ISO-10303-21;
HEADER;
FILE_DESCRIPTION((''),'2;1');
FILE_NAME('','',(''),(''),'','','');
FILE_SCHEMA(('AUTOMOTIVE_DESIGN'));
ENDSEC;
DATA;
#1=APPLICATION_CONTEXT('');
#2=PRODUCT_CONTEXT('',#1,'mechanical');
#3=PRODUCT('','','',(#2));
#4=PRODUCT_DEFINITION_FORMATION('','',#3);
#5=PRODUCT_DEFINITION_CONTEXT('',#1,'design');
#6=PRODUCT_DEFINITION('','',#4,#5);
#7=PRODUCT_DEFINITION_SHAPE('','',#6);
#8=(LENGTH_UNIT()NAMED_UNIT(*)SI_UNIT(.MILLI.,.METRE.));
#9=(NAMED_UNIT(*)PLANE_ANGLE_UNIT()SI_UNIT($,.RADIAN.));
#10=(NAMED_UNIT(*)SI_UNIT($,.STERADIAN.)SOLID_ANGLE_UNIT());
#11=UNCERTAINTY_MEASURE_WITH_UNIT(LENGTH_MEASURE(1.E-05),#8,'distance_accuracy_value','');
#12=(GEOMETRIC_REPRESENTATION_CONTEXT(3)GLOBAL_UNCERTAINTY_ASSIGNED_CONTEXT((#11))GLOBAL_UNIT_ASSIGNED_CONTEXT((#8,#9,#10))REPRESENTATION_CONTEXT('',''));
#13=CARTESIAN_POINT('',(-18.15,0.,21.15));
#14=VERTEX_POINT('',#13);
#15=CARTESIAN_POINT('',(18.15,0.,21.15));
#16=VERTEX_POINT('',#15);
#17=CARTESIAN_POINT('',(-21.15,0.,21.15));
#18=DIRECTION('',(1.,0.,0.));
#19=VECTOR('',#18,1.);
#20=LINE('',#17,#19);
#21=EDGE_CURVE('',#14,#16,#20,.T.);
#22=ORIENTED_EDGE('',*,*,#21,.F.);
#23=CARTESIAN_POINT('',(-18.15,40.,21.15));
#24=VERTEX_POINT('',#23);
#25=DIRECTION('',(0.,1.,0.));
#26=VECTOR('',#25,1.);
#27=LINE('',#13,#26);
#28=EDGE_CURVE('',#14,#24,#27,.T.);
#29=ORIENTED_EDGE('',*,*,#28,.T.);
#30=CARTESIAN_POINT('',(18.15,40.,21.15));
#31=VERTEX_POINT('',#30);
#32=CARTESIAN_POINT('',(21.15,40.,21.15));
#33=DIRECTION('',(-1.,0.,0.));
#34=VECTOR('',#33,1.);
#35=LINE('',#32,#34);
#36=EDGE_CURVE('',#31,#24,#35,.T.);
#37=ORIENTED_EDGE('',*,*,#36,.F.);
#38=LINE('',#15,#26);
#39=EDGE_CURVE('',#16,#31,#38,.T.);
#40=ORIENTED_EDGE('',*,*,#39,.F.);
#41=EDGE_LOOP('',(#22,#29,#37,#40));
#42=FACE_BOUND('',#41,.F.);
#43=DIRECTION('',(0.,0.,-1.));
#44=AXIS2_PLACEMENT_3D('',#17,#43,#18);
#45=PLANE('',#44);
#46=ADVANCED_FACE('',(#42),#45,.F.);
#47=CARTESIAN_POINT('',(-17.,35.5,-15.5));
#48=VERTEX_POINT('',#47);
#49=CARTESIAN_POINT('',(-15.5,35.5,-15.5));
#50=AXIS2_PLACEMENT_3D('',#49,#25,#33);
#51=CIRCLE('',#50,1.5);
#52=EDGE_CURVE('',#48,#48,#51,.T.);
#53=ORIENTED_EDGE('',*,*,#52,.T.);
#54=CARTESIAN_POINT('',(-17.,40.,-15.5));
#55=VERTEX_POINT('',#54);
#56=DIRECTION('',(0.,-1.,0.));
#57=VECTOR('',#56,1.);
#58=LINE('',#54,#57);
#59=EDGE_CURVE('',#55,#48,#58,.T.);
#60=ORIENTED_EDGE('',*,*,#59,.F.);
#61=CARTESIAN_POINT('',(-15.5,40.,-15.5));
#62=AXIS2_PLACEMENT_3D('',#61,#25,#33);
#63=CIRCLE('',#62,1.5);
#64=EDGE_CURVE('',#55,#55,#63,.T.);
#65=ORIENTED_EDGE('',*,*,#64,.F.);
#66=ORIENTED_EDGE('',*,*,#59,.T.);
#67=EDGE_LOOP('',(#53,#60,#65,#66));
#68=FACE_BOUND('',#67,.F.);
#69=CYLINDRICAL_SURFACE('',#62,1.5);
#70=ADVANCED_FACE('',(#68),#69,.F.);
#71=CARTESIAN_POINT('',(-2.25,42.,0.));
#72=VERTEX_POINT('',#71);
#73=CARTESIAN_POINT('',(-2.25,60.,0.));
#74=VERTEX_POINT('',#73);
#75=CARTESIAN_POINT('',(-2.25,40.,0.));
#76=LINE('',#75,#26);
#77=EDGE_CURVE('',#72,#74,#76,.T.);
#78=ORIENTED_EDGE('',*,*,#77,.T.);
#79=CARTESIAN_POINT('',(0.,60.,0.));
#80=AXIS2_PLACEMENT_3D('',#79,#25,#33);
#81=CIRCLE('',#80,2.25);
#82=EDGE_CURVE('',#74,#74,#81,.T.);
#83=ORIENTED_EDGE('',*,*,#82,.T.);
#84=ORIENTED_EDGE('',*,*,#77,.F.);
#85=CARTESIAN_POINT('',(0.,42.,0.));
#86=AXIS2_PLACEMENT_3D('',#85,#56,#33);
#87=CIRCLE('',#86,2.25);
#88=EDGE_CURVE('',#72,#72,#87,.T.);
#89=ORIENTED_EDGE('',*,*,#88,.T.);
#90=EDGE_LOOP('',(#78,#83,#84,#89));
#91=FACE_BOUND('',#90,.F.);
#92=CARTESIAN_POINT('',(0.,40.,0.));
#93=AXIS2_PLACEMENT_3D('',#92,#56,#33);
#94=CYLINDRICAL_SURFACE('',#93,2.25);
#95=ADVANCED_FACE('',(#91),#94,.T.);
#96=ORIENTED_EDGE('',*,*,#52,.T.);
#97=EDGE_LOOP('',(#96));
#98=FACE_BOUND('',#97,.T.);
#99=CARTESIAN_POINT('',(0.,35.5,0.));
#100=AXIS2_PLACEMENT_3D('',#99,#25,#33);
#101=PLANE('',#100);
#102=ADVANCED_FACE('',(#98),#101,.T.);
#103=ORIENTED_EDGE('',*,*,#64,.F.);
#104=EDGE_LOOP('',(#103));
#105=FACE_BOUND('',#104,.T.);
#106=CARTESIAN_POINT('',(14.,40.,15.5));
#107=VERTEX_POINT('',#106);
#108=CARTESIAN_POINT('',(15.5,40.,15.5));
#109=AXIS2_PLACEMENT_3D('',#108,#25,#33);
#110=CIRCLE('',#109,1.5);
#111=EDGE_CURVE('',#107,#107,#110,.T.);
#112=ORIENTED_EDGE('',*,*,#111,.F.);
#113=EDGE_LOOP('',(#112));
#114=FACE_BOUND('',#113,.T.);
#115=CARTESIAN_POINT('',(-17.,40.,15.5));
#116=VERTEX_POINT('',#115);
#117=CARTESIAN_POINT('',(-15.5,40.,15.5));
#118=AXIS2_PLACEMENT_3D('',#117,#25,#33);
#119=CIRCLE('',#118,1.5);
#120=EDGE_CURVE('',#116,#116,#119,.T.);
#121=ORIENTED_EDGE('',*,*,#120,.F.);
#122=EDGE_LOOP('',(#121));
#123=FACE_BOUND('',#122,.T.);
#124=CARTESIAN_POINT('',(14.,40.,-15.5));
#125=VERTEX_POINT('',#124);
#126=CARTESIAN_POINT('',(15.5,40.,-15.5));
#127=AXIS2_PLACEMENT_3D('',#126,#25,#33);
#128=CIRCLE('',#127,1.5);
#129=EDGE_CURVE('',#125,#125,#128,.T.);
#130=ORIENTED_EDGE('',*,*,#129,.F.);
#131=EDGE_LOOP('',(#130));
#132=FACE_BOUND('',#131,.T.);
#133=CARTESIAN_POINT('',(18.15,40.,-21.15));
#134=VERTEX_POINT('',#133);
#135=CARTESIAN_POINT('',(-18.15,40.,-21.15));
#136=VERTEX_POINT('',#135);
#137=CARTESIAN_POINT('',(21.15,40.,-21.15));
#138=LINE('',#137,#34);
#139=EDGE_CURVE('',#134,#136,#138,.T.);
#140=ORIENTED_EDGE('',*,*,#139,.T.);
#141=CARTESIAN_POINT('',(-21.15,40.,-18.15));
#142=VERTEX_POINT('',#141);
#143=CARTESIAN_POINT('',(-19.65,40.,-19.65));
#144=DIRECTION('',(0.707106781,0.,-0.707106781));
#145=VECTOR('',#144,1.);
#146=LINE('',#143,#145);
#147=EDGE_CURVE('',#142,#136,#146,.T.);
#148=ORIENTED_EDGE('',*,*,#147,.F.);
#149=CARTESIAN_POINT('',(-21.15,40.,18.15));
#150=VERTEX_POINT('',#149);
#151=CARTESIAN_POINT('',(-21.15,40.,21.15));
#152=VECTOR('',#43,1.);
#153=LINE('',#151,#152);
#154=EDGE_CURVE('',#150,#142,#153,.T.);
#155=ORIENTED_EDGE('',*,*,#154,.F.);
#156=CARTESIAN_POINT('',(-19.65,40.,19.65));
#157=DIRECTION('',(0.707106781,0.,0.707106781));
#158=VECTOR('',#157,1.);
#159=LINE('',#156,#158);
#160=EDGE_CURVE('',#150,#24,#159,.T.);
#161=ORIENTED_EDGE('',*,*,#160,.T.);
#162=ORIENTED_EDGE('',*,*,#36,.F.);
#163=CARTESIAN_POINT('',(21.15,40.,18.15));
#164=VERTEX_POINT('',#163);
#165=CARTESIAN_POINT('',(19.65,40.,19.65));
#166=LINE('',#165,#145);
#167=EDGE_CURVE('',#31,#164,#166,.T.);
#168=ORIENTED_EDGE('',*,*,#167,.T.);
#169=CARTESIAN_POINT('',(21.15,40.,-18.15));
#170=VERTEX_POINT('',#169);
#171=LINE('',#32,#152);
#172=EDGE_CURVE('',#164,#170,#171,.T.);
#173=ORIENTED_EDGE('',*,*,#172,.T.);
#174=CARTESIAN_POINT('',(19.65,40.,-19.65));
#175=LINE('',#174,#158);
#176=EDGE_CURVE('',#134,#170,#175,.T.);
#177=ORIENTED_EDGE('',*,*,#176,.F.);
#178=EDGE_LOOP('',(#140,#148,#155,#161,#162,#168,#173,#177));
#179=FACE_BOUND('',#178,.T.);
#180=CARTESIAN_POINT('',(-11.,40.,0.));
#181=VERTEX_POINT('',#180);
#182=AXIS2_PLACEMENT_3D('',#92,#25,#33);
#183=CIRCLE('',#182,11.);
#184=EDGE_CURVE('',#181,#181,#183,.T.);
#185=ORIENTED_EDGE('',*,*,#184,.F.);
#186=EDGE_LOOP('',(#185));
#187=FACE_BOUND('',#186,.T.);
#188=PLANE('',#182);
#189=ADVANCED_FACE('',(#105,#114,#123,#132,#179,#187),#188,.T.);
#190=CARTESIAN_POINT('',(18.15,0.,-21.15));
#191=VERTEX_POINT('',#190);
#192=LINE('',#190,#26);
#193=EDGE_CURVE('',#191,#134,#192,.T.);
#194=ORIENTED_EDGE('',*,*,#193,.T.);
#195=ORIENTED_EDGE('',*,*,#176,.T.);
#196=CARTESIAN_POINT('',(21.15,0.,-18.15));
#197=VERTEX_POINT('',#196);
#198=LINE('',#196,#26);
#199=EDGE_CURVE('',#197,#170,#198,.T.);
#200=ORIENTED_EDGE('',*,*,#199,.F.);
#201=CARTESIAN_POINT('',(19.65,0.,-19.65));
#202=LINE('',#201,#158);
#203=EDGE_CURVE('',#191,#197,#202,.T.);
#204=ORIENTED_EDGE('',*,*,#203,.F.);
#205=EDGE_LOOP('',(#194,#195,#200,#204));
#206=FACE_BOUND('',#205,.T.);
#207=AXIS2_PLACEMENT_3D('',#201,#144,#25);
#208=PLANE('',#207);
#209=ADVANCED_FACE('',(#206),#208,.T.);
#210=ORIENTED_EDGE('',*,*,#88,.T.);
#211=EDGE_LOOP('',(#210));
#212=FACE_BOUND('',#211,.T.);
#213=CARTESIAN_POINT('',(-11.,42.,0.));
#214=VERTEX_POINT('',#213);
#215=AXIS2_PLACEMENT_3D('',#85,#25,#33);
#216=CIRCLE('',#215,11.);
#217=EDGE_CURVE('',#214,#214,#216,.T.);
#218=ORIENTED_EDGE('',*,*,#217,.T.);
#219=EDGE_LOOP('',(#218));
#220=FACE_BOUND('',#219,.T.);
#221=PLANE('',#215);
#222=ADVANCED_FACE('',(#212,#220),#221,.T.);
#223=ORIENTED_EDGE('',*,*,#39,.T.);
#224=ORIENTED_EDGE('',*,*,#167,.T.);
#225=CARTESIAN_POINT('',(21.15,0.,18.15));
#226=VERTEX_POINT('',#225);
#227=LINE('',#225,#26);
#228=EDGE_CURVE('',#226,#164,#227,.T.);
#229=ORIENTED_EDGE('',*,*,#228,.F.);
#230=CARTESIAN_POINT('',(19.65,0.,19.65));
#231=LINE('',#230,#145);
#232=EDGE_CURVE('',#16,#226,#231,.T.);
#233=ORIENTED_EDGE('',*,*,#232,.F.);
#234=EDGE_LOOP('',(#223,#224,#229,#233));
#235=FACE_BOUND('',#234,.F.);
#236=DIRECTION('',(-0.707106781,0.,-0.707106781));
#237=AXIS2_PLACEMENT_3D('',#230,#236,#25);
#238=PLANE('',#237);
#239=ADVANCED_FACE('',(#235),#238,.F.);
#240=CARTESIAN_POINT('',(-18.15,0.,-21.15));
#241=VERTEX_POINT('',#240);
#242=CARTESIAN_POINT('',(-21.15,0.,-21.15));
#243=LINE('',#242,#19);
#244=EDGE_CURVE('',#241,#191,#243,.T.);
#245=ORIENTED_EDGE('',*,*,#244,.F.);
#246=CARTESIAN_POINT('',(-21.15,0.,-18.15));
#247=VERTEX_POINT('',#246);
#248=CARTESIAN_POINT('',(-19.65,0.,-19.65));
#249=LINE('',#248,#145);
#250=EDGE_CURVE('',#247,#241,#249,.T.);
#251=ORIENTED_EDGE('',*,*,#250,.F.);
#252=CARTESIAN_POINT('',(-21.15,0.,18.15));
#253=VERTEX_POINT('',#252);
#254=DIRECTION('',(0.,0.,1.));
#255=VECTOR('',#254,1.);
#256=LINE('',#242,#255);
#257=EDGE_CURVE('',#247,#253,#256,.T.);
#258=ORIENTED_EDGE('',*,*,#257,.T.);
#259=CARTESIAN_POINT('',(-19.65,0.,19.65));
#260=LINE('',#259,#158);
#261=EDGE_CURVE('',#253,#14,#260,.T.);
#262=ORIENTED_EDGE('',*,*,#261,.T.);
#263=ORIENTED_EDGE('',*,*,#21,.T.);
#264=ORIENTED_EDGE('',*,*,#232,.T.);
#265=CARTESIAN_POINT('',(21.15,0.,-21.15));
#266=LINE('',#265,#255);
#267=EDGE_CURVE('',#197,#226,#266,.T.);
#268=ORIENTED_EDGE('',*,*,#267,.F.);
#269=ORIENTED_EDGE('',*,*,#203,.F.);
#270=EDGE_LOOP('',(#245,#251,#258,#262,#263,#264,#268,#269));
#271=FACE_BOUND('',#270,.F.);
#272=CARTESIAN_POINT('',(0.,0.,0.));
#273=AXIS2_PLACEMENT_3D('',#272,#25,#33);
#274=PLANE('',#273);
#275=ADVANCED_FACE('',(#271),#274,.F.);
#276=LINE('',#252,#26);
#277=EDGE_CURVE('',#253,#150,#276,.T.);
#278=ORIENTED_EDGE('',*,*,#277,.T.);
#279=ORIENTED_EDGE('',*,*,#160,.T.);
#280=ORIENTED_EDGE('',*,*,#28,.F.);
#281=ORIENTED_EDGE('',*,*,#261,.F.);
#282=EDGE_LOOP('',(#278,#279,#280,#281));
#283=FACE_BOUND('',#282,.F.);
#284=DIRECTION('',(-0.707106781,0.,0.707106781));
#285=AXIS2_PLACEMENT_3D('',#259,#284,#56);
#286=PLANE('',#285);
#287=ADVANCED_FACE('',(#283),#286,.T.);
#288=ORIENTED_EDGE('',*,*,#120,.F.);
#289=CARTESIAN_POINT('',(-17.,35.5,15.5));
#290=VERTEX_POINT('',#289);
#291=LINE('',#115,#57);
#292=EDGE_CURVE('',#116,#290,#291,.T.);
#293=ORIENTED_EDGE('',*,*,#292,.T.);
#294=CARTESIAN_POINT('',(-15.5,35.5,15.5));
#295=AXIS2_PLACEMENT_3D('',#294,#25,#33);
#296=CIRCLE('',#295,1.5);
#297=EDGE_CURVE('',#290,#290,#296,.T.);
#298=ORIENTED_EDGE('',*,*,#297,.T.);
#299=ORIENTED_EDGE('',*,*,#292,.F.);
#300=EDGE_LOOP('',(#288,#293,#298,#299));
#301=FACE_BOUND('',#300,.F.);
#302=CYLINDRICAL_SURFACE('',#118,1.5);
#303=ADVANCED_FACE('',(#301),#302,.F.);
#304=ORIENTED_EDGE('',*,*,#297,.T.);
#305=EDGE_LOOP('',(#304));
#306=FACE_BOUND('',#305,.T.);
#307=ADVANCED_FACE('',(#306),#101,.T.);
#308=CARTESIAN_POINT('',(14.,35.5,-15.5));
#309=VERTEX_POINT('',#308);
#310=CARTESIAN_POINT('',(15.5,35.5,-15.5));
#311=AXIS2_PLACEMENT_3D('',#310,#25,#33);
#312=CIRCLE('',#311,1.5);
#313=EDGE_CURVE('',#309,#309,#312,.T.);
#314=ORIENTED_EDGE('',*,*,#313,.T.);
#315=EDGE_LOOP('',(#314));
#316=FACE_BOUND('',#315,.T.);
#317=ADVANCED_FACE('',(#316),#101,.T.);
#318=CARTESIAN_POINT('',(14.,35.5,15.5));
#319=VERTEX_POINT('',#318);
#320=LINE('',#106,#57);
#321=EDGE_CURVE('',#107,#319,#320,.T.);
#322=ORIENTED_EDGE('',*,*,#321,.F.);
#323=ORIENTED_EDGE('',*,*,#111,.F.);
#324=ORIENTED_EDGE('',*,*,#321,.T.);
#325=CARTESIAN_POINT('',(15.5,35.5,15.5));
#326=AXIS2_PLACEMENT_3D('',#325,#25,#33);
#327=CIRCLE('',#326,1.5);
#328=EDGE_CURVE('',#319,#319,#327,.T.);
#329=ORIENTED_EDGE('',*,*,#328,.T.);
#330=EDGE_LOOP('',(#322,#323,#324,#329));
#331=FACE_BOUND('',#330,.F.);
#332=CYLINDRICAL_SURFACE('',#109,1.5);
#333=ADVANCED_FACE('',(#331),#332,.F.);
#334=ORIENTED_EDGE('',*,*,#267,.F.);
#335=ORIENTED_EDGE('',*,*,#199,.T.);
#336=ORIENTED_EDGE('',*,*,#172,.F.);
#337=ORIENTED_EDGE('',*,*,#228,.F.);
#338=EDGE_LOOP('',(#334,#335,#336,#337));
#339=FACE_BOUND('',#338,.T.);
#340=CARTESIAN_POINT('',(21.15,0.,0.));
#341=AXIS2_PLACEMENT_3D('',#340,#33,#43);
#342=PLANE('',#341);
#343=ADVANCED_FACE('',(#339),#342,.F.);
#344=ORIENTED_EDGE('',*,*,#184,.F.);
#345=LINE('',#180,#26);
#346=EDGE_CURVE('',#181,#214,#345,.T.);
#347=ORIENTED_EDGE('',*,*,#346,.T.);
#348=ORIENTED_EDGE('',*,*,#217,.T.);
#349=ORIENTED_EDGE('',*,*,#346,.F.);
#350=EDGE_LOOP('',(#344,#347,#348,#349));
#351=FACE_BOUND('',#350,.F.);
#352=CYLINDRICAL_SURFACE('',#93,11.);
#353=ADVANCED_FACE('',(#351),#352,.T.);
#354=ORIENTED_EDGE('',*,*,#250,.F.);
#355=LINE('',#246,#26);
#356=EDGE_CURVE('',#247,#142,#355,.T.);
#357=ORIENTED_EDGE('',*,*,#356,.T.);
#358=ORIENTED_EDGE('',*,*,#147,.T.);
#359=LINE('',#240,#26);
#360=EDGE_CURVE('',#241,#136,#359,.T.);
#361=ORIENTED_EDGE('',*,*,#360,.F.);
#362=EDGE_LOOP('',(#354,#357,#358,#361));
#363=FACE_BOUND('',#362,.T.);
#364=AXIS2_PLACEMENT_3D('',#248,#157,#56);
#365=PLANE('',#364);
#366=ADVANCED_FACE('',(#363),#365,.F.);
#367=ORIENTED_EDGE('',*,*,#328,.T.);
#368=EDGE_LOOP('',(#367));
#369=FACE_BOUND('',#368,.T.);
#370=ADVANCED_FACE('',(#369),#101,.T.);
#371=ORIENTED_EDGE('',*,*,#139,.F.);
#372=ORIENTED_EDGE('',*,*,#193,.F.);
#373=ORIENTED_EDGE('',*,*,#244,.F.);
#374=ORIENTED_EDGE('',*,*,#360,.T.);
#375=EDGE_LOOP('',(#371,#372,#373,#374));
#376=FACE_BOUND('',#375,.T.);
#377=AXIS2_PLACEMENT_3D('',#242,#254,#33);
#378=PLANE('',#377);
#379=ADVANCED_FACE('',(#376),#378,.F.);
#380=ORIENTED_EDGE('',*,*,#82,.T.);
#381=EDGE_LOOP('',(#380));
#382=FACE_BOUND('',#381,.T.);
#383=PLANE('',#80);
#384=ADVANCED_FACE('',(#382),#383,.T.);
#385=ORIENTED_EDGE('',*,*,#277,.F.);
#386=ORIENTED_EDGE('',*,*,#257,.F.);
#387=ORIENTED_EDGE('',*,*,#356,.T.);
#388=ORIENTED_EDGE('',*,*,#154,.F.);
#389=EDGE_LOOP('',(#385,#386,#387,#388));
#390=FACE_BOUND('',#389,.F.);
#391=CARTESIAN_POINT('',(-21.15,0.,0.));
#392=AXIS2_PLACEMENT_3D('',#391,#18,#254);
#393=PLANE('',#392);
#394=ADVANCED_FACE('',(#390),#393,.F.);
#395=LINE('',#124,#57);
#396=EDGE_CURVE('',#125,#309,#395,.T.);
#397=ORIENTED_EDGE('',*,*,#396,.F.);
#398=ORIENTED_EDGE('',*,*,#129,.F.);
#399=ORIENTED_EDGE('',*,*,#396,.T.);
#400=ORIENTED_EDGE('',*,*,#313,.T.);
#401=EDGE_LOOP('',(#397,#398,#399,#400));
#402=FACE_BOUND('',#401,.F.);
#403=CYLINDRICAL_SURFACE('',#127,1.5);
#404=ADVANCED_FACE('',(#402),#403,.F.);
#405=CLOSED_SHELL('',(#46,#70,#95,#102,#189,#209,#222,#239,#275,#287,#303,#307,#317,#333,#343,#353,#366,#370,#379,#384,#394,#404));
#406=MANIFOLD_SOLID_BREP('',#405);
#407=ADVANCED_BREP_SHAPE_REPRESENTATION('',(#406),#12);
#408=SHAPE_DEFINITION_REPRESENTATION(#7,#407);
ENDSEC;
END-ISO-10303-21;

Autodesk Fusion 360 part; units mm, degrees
sketch "スケッチ1" plane through (0, 0, 0) normal (0, 1, 0) x (1, 0, 0)
  line L0 (0, 0) -> (21.15, 0)
  line L1 (21.15, 0) -> (21.15, 21.15)
  line L2 (21.15, 21.15) -> (0, 21.15)
  line L3 (0, 21.15) -> (0, 0)
  line L4 (0, 0) -> (15.5, 0) construction
  line L5 (15.5, 0) -> (15.5, 15.5) construction
  line L6 (15.5, 15.5) -> (0, 15.5) construction
  line L7 (0, 15.5) -> (0, 0) construction
  circle A0 centre (15.5, 15.5) radius 1.5
  dimension "d1" = 21.15
  dimension "d2" = 21.15
  dimension "d3" = 15.5
  dimension "d4" = 15.5
  dimension "d5" = 3
extrude "押し出し1" add sketch "スケッチ1" along normal blind 40 contours L0 L1 L2 L3 | A0 makes body 1
mirror "ミラー1" about plane through (0, 0, 0) normal (0, 0, 1) of bodies 1 makes body 2
mirror "ミラー2" about plane through (0, 0, 21.15) normal (-1, 0, 0) of bodies 1 2 makes body 3 at (0, 13.3333, -14.1) makes body 4 at (0, 13.3333, 14.1)
combine "結合1" operation add target body 4 tool bodies 1 2 3
sketch "スケッチ2" plane through (0, 40, 0) normal (0, 1, 0) x (-1, 0, 0)
  line L0 (-21.15, -21.15) -> (21.15, -21.15)
  line L1 (21.15, -21.15) -> (21.15, 21.15)
  line L2 (21.15, 21.15) -> (-21.15, 21.15)
  line L3 (-21.15, 21.15) -> (-21.15, -21.15)
  circle A0 centre (0, 0) radius 11
  line L4 (15.5, 15.5) -> (-15.5, 15.5) construction
  line L5 (-15.5, 15.5) -> (-15.5, -15.5) construction
  line L6 (-15.5, -15.5) -> (15.5, -15.5) construction
  line L7 (15.5, -15.5) -> (15.5, 15.5) construction
  line L8 (15.5, 15.5) -> (-15.5, -15.5) construction
  line L9 (-15.5, 15.5) -> (15.5, -15.5) construction
  circle A1 centre (15.5, -15.5) radius 1.5
  circle A2 centre (-15.5, -15.5) radius 1.5
  circle A3 centre (15.5, 15.5) radius 1.5
  circle A4 centre (-15.5, 15.5) radius 1.5
  circle A5 centre (0, 0) radius 2.25
  dimension "d10" = 22
  dimension "d13" = 31
  dimension "d14" = 31
  dimension "d15" = 3
  dimension "d16" = 3
  dimension "d17" = 3
  dimension "d18" = 3
  dimension "d21" = 4.5
extrude "押し出し2" add sketch "スケッチ2" along normal blind 2 contours A0 | A5 bodies 4
extrude "押し出し3" cut sketch "スケッチ2" against normal blind 4.5 contours A1 | A2 | A3 | A4 bodies 4
extrude "押し出し4" add sketch "スケッチ2" along normal blind 20 contours A5 bodies 4
chamfer "面取り1" distance 3 angle 45 4 edges at (-21.15, 20, -21.15) (-21.15, 20, 21.15) (21.15, 20, 21.15) (21.15, 20, -21.15) on bodies 4
equation "d1 = ( 42.3 / 2 ) * 1 mm"
equation "d2 = ( 42.3 / 2 ) * 1 mm"
equation "d3 = ( 31 / 2 ) * 1 mm"
equation "d4 = ( 31 / 2 ) * 1 mm"
